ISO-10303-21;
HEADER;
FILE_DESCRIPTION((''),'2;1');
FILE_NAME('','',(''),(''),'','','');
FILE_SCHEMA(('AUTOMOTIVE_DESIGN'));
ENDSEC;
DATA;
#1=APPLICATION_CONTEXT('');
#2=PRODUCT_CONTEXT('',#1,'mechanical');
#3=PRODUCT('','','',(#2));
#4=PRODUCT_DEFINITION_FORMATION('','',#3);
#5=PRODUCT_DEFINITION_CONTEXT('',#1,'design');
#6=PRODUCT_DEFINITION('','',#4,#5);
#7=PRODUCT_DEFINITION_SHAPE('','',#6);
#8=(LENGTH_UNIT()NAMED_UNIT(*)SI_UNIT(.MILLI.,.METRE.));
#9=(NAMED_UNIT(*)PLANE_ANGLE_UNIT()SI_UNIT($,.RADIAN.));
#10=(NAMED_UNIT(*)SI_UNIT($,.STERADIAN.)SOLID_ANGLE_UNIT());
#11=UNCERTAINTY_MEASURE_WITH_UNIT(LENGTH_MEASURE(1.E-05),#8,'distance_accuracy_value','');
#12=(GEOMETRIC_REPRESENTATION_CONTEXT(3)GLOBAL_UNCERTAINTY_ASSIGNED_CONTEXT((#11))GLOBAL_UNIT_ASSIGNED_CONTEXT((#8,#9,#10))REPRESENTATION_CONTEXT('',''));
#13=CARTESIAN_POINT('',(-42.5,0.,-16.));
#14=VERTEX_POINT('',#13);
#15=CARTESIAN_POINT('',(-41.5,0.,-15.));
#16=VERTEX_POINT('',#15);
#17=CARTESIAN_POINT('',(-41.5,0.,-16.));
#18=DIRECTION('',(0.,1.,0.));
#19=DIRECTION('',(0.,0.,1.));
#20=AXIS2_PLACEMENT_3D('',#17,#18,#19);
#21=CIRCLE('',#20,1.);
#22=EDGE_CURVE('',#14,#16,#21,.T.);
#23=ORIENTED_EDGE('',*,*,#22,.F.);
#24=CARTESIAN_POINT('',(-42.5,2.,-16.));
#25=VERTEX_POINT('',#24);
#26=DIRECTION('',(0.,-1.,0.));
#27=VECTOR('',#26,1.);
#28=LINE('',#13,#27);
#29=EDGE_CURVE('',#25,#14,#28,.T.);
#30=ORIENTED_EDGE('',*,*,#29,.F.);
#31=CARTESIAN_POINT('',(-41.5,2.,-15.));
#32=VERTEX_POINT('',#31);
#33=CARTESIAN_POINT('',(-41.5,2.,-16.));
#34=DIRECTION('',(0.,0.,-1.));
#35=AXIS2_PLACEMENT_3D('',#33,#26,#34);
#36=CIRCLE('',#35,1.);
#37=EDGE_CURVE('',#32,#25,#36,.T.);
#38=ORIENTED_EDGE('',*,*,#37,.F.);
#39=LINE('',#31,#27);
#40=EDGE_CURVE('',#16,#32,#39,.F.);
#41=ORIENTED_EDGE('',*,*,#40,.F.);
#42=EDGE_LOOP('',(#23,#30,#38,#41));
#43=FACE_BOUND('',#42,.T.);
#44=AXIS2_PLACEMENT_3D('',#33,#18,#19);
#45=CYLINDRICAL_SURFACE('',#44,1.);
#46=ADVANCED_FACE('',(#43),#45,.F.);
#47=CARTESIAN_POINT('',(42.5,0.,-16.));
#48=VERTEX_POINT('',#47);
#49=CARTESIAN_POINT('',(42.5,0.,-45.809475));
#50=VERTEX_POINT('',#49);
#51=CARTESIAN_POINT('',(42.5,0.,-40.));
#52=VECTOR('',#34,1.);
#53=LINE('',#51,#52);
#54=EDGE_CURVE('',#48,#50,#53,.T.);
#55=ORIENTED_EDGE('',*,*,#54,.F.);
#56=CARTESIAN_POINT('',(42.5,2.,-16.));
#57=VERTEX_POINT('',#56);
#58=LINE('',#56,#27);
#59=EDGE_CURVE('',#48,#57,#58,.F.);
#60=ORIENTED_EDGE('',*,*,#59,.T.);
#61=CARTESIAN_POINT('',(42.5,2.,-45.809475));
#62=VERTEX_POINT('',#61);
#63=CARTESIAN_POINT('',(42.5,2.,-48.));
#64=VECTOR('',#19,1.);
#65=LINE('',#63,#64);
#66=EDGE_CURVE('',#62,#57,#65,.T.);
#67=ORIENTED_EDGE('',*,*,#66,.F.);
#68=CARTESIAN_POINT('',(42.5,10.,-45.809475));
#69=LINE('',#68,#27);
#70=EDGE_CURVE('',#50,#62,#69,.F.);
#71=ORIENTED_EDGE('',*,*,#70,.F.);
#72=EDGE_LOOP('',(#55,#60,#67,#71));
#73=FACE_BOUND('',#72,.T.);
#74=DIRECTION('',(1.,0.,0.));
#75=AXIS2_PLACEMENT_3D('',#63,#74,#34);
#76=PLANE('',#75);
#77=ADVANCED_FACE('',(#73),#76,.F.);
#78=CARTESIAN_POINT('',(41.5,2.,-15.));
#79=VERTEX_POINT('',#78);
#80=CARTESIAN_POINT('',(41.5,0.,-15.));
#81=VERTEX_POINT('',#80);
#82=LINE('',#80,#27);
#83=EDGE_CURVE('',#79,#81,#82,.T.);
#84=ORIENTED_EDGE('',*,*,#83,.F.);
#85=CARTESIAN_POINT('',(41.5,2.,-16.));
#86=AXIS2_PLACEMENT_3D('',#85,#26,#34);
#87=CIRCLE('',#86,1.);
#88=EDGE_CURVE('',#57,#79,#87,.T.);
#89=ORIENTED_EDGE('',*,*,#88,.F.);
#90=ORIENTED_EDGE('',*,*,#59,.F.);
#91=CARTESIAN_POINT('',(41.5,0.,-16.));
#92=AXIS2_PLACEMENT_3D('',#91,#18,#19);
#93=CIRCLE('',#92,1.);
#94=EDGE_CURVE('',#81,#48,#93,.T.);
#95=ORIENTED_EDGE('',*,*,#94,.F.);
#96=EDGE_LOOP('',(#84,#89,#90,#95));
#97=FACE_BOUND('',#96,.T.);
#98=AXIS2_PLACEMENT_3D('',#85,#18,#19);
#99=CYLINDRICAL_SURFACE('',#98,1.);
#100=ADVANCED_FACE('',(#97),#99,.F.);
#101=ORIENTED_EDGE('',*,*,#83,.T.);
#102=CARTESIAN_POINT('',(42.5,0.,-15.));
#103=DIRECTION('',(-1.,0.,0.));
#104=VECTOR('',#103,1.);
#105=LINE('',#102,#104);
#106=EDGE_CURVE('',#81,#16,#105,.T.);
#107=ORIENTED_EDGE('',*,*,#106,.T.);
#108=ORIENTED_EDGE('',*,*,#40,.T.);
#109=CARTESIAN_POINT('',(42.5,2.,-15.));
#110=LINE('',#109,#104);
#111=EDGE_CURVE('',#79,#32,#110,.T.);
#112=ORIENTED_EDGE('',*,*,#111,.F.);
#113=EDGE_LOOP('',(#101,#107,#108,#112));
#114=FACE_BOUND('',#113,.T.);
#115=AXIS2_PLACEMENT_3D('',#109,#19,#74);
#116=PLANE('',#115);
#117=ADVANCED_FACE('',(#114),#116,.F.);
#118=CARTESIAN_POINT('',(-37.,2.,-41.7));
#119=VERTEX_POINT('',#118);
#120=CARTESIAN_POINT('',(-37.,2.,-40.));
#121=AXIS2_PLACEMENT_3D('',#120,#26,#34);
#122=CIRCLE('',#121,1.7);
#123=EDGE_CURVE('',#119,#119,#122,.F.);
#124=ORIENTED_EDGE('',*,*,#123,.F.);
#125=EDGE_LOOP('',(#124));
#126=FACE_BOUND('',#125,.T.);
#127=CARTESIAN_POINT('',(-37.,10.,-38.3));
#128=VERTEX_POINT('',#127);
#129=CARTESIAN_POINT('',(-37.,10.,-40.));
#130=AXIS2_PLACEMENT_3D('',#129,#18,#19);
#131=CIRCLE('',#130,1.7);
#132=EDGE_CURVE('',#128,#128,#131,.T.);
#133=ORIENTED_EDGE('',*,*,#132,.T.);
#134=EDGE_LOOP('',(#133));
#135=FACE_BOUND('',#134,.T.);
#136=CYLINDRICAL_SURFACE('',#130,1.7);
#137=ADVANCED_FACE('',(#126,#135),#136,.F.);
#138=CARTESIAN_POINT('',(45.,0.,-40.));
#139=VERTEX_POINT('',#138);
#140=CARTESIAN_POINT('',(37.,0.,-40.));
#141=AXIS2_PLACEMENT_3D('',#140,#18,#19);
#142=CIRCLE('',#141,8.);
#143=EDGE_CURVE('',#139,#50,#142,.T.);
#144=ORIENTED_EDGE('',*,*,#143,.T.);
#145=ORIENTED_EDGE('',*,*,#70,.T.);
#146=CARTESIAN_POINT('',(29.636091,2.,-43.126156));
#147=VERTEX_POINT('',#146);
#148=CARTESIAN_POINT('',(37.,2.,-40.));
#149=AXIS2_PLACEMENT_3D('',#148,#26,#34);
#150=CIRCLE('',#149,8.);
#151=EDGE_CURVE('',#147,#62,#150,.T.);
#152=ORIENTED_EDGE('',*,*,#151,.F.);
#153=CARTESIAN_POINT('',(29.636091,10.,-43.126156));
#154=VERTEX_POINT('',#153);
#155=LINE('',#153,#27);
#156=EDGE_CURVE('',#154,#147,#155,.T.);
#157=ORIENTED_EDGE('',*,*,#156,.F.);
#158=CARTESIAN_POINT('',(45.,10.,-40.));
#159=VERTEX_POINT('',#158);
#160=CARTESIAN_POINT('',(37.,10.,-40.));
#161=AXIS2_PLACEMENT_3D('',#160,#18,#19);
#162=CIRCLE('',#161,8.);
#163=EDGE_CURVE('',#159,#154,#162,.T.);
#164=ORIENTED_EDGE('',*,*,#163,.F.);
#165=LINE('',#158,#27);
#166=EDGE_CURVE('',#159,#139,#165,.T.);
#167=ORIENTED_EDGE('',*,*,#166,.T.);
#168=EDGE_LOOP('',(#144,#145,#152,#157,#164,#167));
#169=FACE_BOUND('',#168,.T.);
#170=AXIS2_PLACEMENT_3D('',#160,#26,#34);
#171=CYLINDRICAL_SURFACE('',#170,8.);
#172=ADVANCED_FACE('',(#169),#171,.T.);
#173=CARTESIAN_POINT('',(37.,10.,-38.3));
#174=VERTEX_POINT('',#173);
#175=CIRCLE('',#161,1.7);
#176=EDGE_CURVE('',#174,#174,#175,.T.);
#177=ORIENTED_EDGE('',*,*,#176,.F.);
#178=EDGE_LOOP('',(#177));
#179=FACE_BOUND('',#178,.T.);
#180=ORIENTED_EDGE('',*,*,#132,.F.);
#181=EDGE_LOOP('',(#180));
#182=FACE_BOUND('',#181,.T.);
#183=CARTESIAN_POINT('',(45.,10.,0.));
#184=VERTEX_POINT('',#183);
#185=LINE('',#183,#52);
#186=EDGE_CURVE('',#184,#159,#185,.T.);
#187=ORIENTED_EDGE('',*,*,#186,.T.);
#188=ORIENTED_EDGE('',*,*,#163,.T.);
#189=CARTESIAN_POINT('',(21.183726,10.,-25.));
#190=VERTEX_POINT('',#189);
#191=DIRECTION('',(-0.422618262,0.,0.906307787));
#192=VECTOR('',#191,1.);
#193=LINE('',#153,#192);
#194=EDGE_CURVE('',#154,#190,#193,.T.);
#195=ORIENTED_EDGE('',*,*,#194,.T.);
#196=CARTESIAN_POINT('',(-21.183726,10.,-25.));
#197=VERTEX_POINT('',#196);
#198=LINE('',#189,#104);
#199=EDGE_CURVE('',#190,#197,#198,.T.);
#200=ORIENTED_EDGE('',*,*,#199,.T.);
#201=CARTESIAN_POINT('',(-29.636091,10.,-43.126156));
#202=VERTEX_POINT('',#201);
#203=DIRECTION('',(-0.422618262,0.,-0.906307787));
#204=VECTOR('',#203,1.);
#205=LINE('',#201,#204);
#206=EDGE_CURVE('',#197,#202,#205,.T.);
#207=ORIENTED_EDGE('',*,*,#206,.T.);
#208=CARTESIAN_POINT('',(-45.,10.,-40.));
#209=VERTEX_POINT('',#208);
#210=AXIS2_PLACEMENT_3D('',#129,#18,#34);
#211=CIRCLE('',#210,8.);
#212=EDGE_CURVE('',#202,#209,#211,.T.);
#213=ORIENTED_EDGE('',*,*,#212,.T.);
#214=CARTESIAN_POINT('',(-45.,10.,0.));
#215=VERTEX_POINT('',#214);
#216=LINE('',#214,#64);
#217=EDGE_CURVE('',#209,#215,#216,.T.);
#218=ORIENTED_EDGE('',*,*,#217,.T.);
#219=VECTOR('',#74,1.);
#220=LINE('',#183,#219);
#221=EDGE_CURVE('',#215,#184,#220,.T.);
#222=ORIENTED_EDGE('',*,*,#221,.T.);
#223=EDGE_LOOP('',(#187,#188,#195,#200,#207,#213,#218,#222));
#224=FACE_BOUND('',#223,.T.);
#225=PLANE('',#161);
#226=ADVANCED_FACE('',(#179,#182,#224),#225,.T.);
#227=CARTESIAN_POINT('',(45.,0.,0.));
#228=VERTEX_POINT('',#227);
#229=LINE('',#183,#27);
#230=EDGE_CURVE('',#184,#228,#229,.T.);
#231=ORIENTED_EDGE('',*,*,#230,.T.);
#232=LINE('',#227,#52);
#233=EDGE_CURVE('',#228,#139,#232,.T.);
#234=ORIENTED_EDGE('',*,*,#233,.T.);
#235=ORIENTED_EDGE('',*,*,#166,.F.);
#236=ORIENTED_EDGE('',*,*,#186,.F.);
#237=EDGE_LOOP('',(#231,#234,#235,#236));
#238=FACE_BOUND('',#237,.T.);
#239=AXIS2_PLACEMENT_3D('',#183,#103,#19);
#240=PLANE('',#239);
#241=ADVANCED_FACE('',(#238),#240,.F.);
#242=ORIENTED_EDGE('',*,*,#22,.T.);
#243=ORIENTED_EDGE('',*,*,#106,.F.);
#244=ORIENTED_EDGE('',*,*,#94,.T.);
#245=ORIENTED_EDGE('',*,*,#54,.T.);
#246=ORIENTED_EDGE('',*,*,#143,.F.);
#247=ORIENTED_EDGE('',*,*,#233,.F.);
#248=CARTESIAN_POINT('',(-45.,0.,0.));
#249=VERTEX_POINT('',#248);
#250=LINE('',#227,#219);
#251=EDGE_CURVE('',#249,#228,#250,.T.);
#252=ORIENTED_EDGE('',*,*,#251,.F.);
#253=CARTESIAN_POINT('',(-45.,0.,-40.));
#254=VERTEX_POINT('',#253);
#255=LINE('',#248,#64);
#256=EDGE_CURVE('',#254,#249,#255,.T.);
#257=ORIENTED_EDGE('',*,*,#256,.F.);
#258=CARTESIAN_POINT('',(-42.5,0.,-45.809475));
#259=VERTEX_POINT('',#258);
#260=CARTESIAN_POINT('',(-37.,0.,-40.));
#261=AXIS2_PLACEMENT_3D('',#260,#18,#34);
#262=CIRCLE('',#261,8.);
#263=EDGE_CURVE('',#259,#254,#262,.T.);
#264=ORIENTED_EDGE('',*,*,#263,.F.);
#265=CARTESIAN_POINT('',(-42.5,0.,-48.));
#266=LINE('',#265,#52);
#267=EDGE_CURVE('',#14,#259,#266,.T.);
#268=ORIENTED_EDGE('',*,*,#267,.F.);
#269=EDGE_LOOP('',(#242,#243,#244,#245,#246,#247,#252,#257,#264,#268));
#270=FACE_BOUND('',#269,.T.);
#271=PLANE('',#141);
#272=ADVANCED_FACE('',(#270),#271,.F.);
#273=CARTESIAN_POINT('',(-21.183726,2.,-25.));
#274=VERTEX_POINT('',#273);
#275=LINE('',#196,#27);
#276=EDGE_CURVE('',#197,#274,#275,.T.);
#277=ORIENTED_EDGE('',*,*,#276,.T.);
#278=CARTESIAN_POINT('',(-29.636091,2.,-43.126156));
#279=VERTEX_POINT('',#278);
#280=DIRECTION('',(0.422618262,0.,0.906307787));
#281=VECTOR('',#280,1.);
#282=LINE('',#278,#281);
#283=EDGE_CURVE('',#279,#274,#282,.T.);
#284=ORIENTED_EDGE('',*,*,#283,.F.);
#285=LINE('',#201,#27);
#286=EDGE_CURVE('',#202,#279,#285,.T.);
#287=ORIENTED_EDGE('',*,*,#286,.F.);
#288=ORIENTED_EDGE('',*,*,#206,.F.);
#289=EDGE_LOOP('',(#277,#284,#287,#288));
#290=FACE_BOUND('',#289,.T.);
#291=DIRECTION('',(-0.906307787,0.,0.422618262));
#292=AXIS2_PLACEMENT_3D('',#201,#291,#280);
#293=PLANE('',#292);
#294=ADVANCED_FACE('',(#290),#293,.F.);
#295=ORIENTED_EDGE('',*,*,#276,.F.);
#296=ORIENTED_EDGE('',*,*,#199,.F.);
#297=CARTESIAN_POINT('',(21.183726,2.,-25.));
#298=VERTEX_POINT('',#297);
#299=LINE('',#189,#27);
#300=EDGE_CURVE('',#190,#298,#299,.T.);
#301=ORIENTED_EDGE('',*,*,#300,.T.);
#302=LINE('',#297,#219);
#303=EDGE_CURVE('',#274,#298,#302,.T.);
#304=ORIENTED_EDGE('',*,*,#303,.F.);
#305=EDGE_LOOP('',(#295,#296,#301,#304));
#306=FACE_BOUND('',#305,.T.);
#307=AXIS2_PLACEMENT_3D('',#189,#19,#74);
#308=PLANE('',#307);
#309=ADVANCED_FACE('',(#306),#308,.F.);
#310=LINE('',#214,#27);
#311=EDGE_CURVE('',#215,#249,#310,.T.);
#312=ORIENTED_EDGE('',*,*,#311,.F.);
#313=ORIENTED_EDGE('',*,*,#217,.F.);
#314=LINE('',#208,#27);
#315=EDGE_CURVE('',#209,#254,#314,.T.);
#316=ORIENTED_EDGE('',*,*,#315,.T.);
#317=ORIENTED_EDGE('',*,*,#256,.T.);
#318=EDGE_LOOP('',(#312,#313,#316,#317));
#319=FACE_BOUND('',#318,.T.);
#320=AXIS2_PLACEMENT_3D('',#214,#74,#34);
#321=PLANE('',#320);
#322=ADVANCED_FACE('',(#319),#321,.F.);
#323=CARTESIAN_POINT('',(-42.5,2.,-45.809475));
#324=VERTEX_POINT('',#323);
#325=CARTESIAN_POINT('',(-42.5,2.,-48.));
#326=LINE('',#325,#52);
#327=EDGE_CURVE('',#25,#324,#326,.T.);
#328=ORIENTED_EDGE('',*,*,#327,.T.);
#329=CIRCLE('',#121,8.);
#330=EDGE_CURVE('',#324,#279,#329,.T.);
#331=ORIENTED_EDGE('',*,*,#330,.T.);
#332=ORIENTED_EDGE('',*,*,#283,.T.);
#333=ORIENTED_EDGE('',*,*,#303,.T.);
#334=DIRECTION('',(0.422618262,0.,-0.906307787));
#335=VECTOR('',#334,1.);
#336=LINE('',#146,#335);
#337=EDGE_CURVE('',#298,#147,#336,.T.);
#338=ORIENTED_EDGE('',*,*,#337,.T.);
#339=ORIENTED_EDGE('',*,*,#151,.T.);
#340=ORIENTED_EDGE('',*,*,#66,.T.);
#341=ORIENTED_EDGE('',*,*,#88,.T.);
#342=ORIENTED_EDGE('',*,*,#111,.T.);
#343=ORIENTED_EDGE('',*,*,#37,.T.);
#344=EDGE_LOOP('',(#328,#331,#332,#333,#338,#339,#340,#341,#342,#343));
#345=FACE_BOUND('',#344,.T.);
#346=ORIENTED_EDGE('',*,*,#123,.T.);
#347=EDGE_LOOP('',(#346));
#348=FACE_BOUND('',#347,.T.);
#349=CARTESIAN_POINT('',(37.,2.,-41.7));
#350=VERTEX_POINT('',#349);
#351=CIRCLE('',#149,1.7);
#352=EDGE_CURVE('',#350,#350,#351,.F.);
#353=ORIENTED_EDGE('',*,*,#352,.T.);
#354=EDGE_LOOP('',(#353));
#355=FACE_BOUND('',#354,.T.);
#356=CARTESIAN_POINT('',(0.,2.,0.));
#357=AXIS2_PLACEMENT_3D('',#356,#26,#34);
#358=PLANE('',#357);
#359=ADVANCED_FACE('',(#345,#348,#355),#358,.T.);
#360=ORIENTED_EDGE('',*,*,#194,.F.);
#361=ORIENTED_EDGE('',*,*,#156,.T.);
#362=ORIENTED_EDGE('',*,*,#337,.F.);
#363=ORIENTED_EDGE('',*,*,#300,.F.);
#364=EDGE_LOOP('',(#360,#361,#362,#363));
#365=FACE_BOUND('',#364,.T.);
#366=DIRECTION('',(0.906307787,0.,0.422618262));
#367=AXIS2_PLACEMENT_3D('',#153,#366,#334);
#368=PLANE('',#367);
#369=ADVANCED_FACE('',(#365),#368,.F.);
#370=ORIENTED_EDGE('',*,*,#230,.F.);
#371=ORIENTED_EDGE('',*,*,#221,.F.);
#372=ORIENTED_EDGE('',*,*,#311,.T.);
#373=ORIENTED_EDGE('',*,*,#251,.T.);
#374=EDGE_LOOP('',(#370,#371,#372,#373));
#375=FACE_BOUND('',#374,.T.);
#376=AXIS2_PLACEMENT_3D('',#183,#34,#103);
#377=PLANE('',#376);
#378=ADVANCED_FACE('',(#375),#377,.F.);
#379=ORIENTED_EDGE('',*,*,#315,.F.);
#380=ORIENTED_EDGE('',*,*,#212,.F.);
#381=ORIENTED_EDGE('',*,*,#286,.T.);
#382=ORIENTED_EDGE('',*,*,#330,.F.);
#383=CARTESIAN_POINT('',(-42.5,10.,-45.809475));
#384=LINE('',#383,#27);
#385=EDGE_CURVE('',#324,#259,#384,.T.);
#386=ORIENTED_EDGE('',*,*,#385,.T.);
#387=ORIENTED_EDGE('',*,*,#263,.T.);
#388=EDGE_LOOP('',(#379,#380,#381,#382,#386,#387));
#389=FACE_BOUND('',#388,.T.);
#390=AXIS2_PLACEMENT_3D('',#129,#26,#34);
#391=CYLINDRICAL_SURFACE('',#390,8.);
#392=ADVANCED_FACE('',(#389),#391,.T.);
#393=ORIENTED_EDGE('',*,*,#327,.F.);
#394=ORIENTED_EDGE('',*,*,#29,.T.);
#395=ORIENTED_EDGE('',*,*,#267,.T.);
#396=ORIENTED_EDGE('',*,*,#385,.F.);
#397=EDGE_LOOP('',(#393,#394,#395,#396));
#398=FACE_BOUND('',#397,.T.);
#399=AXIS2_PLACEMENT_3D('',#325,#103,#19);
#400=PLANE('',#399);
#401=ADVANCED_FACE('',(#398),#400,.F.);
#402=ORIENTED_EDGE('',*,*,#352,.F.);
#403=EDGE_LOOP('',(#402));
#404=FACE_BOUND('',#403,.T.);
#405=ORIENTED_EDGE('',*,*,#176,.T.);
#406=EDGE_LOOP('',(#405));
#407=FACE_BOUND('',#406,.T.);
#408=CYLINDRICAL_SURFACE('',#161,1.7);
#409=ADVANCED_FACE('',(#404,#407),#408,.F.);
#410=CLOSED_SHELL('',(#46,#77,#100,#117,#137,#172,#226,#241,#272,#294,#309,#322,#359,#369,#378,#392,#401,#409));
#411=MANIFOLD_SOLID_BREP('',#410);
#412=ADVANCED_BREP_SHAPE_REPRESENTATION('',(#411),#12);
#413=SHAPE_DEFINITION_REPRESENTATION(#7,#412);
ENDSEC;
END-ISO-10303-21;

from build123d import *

# Parameters (mm, degrees)
BOSS_EXTRUDE1_DEPTH      = 10
SKETCH2_W                = 85
SKETCH2_H                = 33
CUT_EXTRUDE1_DEPTH       = 2
FILLET1_R                = 1
M3_CLEARANCE_HOLE1_D     = 3.4
M3_CLEARANCE_HOLE1_DEPTH = 8
M3_CLEARANCE_HOLE1_TIP   = 1.021463052


with BuildPart() as part:
    # Sketch1 → Boss-Extrude1 (new body)
    with BuildSketch(Plane(origin=(0, 0, 0), x_dir=(1, 0, 0), z_dir=(0, 1, 0))):
        with BuildLine():
            Line((45, 0), (-45, 0))
            Line((-45, 0), (-45, 40))
            ThreePointArc((-45, 40), (-38.595106732, 47.83936442), (-29.636091372, 43.126155741))
            Line((-29.636091372, 43.126155741), (-21.183726137, 25))
            Line((-21.183726137, 25), (21.183726137, 25))
            Line((21.183726137, 25), (29.636091372, 43.126155741))
            ThreePointArc((29.636091372, 43.126155741), (38.595106732, 47.83936442), (45, 40))
            Line((45, 40), (45, 0))
        make_face()
    extrude(amount=BOSS_EXTRUDE1_DEPTH)

    # Sketch2 → Cut-Extrude1 (cut)
    with BuildSketch(Plane.XZ):
        with Locations((0, -31.5)):
            Rectangle(SKETCH2_W, SKETCH2_H)
    extrude(amount=-CUT_EXTRUDE1_DEPTH, mode=Mode.SUBTRACT)

    # Fillet1
    fillet1_edges = [part.edges().sort_by_distance(p)[0] for p in [
        (42.5, 1, -15),
        (-42.5, 1, -15),
    ]]
    fillet(fillet1_edges, radius=FILLET1_R)

    # M3 Clearance Hole1
    with Locations(Plane(origin=(0, 10, 0), x_dir=(1, 0, 0), z_dir=(0, 1, 0))):
        with Locations((-37, 40), (37, 40)):
            Hole(M3_CLEARANCE_HOLE1_D / 2, depth=M3_CLEARANCE_HOLE1_DEPTH)
            with Locations((0, 0, -(M3_CLEARANCE_HOLE1_DEPTH + M3_CLEARANCE_HOLE1_TIP / 2))):  # 118° drill point
                Cone(0, M3_CLEARANCE_HOLE1_D / 2, M3_CLEARANCE_HOLE1_TIP, mode=Mode.SUBTRACT)


solid = part.part
